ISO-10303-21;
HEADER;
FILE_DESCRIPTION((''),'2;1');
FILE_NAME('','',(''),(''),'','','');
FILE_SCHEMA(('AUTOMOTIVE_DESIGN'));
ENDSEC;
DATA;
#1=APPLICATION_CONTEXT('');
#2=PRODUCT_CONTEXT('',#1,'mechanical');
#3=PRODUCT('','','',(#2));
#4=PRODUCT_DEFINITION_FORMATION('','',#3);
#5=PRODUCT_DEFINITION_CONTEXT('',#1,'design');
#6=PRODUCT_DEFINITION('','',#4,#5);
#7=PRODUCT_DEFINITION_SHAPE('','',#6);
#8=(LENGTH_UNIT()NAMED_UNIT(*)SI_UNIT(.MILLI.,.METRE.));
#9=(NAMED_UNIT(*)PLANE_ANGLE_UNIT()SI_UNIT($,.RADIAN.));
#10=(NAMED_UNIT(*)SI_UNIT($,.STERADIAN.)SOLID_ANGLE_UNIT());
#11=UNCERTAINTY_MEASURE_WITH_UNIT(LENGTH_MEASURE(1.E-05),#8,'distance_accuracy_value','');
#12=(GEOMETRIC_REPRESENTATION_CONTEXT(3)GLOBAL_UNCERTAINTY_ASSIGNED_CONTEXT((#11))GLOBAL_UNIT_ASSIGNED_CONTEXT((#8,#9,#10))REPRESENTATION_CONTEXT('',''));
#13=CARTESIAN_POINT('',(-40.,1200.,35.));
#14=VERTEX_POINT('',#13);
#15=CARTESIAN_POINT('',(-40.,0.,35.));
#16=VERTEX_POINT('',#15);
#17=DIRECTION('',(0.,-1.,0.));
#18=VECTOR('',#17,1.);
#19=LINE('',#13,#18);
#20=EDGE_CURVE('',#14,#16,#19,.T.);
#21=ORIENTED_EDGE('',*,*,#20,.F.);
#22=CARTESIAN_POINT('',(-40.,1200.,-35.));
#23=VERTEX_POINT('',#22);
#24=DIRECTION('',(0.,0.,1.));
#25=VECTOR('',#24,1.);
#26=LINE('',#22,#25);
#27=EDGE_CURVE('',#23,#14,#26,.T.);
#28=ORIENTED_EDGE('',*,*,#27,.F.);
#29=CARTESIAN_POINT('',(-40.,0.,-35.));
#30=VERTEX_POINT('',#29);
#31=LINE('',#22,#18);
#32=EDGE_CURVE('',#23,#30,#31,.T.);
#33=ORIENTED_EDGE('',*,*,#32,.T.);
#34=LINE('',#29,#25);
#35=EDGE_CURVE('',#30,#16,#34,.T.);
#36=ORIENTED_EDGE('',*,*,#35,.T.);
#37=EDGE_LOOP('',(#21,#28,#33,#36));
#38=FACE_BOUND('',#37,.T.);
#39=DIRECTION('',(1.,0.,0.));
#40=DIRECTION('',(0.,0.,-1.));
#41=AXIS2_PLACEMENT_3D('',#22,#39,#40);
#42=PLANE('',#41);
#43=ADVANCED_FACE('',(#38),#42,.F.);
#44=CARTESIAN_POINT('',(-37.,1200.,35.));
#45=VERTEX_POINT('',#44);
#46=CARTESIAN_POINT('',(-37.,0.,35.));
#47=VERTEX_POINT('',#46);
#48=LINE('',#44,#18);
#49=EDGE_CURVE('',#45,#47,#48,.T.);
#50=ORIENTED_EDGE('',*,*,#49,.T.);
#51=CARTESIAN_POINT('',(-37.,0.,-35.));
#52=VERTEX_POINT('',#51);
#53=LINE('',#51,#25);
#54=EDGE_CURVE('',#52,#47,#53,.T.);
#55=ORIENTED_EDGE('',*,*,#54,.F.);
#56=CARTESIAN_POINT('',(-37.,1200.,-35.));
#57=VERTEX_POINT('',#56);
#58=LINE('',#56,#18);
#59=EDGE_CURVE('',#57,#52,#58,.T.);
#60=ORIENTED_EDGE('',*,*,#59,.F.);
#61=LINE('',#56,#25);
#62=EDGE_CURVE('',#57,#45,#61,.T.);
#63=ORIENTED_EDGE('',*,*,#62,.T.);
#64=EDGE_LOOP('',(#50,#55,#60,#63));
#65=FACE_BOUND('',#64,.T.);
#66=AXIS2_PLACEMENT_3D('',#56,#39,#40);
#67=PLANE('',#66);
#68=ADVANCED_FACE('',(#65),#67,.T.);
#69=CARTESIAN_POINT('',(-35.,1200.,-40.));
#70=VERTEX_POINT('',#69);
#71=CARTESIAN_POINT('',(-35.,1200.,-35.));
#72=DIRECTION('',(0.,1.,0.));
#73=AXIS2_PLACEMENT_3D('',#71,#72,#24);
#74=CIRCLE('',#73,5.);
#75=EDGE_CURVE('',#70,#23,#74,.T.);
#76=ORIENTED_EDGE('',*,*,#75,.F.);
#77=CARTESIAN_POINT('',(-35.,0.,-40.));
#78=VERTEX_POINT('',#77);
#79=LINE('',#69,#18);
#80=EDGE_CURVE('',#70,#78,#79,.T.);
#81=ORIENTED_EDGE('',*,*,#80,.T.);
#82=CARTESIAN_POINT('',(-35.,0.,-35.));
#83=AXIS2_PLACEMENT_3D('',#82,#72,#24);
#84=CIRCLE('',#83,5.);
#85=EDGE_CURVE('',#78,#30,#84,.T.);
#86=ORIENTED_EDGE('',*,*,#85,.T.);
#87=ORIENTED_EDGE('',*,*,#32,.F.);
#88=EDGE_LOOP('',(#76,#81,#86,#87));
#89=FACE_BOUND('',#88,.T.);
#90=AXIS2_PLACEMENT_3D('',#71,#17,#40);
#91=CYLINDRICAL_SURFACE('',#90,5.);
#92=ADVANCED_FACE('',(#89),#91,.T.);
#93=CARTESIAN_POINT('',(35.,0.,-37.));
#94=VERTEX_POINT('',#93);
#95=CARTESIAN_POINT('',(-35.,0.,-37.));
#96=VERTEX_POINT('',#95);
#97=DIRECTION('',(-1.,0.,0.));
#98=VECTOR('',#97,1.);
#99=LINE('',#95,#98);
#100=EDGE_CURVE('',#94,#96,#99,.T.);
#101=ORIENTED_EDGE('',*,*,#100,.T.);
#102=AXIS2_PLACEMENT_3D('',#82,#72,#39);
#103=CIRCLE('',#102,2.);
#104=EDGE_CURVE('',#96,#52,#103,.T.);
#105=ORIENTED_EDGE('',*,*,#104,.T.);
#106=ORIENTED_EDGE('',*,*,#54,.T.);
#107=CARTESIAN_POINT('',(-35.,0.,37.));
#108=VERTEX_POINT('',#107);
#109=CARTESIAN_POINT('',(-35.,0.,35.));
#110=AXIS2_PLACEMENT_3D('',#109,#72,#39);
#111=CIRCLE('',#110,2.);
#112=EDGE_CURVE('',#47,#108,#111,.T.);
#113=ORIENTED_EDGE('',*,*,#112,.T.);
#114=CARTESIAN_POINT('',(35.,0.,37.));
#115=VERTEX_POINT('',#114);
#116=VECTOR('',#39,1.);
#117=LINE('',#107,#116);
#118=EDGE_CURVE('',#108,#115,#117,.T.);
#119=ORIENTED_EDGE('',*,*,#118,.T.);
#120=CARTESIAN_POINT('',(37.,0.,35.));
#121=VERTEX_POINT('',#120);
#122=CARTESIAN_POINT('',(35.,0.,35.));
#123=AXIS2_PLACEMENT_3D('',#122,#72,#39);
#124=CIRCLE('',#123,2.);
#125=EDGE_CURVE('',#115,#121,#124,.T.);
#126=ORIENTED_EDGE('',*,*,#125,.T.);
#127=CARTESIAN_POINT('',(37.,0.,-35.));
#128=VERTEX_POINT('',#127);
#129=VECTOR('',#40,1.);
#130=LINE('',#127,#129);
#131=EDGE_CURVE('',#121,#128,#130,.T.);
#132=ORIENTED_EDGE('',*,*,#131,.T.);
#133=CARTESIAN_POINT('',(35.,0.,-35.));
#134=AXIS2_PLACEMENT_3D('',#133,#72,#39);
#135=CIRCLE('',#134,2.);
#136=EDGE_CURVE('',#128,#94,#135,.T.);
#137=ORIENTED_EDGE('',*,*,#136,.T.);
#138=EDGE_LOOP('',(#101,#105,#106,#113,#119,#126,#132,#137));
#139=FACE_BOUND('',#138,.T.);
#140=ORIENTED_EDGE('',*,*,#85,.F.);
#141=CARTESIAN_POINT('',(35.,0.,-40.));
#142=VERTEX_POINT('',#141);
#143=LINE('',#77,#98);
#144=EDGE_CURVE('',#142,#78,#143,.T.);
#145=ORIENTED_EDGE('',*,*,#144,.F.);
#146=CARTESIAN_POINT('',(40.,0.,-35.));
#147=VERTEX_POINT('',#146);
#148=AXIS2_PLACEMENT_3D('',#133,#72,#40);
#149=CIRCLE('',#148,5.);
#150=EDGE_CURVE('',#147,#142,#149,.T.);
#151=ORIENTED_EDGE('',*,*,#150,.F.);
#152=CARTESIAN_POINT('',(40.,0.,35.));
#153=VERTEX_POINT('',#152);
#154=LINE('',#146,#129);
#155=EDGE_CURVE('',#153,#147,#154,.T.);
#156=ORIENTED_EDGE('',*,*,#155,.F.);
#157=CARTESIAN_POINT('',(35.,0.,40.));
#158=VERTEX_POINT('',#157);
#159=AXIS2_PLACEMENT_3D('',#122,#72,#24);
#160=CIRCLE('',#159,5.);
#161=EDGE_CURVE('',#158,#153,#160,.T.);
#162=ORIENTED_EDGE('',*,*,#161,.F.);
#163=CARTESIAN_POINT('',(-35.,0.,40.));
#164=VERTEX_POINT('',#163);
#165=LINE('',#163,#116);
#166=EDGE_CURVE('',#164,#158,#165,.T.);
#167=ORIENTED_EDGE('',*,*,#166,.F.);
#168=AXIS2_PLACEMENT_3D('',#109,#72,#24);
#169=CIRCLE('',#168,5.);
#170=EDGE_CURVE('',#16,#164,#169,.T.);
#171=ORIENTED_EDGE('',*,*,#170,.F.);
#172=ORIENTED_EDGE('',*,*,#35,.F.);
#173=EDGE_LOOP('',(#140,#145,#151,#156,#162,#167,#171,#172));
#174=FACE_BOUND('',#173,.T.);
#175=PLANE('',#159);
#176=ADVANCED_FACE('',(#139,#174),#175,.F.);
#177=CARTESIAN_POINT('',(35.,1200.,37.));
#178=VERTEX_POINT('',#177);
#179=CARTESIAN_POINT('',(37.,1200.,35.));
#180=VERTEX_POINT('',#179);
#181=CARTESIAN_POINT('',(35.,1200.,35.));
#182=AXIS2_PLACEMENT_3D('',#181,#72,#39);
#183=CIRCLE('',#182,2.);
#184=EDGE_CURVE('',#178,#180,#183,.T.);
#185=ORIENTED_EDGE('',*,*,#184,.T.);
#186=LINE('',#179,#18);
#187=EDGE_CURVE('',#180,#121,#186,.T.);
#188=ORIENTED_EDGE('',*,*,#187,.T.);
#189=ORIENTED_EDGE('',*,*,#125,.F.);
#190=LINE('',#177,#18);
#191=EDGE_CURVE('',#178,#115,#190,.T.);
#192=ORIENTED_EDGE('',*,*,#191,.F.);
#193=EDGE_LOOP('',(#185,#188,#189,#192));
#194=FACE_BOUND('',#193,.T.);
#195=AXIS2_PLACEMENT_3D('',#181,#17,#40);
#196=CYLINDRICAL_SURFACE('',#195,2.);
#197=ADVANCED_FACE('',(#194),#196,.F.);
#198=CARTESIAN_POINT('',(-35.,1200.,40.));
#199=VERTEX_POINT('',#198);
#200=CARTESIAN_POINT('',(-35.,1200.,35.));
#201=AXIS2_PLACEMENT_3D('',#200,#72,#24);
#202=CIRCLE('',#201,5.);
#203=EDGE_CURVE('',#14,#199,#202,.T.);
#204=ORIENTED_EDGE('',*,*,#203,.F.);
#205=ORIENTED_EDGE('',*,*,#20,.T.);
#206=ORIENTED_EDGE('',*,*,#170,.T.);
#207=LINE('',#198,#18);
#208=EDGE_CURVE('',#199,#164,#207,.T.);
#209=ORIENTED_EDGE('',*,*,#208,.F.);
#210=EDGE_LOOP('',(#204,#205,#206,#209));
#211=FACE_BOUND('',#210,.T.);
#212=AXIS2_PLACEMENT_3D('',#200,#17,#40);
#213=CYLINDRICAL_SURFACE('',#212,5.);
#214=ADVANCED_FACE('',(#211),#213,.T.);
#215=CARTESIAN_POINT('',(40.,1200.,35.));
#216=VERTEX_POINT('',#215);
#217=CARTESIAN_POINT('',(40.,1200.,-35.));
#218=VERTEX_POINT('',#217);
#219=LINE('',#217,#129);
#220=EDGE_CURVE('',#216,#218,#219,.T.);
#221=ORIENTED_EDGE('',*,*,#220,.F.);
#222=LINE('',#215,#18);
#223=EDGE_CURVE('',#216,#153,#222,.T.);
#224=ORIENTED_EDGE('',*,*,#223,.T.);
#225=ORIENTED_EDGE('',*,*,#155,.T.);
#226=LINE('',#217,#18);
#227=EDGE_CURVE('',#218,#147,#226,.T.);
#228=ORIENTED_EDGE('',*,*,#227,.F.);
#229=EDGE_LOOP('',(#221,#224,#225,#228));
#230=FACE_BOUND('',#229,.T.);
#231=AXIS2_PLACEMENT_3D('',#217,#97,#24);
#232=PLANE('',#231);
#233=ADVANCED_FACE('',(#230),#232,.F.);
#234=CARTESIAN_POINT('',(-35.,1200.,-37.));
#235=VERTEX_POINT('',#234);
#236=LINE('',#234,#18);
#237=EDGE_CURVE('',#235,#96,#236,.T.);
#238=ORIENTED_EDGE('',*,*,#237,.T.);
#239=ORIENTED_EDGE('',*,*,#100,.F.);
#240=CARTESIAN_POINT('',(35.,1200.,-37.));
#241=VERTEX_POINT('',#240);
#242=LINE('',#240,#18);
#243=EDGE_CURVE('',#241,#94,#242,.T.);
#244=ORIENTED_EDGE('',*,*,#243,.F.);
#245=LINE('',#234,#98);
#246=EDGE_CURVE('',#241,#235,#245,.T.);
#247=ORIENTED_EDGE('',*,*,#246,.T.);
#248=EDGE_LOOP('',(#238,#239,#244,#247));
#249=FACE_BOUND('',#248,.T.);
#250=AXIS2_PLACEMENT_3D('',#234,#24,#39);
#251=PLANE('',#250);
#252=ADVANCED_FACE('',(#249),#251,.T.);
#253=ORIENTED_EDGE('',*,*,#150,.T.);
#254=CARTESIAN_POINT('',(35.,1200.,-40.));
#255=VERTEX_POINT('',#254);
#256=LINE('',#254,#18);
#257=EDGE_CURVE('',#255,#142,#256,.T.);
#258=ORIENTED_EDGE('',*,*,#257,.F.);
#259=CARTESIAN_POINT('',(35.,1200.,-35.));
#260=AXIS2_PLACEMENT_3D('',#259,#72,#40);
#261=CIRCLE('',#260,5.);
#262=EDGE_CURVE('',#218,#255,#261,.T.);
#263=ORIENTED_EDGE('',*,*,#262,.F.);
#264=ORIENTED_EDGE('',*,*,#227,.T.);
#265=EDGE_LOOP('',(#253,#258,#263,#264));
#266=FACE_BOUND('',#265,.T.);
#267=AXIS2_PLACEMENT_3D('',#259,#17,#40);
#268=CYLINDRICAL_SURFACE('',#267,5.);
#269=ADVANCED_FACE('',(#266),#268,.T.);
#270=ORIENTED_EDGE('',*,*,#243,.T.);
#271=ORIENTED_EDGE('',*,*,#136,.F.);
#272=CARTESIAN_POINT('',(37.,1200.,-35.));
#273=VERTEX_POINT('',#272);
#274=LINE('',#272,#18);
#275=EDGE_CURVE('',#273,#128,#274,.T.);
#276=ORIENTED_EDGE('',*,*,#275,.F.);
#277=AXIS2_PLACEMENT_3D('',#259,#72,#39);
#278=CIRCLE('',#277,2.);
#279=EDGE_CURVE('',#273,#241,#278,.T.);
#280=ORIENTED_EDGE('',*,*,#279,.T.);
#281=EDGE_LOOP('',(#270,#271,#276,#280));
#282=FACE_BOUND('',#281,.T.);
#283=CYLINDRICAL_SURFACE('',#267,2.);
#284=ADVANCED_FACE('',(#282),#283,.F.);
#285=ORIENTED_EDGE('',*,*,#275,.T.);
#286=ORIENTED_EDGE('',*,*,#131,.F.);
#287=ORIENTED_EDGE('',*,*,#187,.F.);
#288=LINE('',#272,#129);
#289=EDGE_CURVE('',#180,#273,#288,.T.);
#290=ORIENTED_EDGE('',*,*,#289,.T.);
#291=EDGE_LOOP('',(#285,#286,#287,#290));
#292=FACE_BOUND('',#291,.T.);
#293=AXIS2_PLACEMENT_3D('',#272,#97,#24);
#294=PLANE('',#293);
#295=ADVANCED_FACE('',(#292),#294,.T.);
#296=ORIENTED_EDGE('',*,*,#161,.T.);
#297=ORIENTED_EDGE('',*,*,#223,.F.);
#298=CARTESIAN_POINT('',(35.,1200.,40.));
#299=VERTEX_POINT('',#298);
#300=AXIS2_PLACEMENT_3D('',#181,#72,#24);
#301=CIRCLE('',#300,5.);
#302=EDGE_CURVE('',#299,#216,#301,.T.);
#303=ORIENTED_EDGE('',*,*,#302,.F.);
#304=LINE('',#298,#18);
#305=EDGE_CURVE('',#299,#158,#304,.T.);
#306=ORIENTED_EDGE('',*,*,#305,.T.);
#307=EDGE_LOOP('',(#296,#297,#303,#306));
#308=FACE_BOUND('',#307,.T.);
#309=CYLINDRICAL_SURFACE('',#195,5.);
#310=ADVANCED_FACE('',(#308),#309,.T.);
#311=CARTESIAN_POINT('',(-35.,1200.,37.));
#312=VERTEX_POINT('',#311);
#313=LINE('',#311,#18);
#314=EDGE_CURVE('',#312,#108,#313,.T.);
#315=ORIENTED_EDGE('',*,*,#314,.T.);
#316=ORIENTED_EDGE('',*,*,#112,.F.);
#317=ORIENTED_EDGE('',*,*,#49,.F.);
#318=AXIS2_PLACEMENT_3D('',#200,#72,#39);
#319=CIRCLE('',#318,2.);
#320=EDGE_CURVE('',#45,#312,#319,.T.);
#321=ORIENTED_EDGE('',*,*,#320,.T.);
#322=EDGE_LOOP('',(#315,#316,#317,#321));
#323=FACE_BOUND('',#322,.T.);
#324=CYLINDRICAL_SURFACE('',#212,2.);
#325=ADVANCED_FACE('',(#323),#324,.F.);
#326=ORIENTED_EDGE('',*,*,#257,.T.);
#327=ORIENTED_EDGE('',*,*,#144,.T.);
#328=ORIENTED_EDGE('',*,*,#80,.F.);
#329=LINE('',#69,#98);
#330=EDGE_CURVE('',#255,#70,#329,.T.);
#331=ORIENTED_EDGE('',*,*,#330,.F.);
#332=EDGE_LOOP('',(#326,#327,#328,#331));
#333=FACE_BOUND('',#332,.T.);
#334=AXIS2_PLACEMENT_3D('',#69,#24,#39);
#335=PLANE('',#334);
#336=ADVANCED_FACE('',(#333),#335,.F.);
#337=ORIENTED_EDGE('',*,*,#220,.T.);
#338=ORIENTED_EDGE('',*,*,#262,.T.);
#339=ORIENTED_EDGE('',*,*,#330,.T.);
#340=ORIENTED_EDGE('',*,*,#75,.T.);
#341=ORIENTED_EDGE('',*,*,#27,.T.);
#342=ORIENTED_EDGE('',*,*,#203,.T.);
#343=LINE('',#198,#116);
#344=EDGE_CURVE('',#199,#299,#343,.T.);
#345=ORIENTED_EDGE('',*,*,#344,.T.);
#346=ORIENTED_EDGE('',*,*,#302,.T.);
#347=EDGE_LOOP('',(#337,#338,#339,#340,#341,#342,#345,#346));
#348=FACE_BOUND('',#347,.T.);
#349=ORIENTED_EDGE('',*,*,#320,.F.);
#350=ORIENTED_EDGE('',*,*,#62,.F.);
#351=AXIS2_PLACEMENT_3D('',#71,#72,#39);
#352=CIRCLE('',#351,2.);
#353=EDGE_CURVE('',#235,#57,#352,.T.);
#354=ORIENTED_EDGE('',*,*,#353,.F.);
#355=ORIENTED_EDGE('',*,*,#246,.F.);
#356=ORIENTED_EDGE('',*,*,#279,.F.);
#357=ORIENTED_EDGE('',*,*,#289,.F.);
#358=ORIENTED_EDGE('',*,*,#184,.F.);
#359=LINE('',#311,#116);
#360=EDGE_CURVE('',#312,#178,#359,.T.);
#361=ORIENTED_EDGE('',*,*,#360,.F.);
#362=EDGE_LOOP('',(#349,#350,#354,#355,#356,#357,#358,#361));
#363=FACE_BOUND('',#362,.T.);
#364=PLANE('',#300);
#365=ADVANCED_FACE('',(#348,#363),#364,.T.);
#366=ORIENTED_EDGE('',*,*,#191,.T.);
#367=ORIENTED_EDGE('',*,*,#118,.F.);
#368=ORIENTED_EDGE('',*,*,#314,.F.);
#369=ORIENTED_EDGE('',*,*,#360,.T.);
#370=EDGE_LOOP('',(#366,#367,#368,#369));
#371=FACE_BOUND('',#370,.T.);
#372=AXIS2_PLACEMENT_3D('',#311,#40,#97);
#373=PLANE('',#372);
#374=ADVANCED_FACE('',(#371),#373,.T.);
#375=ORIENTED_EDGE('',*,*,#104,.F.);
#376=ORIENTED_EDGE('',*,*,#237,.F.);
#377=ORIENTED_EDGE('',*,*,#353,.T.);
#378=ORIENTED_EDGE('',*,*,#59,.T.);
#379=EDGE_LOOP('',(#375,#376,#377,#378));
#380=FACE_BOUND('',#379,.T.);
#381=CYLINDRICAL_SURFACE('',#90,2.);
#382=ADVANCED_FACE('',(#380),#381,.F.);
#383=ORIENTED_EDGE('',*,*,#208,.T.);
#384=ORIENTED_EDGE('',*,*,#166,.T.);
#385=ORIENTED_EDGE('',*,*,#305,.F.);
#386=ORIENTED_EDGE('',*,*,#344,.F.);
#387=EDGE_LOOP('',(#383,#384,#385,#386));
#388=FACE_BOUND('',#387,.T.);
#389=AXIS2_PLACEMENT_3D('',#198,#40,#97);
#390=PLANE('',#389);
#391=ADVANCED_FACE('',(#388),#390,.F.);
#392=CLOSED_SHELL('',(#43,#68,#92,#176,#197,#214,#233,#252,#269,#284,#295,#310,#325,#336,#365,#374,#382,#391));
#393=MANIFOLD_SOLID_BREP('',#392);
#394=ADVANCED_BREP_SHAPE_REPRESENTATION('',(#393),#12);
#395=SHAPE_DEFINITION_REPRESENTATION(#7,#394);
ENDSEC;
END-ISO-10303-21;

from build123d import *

# Parameters (mm, degrees)
EXTRUDE_1_DEPTH = 1200


with BuildPart() as part:
    # Эскиз1 → Вытянуть-Тонкостенный1 (new body)
    with BuildSketch(Plane(origin=(0, 0, 0), x_dir=(1, 0, 0), z_dir=(0, 1, 0))):
        with BuildLine():
            Line((-40, -35), (-40, 35))
            ThreePointArc((-40, 35), (-38.535533906, 38.535533906), (-35, 40))
            Line((-35, 40), (35, 40))
            ThreePointArc((35, 40), (38.535533906, 38.535533906), (40, 35))
            Line((40, 35), (40, -35))
            ThreePointArc((40, -35), (38.535533906, -38.535533906), (35, -40))
            Line((35, -40), (-35, -40))
            ThreePointArc((-35, -40), (-38.535533906, -38.535533906), (-40, -35))
        make_face()
        with BuildLine():
            Line((-37, -35), (-37, 35))
            ThreePointArc((-37, 35), (-36.414213562, 36.414213562), (-35, 37))
            Line((-35, 37), (35, 37))
            ThreePointArc((35, 37), (36.414213562, 36.414213562), (37, 35))
            Line((37, 35), (37, -35))
            ThreePointArc((37, -35), (36.414213562, -36.414213562), (35, -37))
            Line((35, -37), (-35, -37))
            ThreePointArc((-35, -37), (-36.414213562, -36.414213562), (-37, -35))
        make_face(mode=Mode.SUBTRACT)
    extrude(amount=EXTRUDE_1_DEPTH)


solid = part.part
